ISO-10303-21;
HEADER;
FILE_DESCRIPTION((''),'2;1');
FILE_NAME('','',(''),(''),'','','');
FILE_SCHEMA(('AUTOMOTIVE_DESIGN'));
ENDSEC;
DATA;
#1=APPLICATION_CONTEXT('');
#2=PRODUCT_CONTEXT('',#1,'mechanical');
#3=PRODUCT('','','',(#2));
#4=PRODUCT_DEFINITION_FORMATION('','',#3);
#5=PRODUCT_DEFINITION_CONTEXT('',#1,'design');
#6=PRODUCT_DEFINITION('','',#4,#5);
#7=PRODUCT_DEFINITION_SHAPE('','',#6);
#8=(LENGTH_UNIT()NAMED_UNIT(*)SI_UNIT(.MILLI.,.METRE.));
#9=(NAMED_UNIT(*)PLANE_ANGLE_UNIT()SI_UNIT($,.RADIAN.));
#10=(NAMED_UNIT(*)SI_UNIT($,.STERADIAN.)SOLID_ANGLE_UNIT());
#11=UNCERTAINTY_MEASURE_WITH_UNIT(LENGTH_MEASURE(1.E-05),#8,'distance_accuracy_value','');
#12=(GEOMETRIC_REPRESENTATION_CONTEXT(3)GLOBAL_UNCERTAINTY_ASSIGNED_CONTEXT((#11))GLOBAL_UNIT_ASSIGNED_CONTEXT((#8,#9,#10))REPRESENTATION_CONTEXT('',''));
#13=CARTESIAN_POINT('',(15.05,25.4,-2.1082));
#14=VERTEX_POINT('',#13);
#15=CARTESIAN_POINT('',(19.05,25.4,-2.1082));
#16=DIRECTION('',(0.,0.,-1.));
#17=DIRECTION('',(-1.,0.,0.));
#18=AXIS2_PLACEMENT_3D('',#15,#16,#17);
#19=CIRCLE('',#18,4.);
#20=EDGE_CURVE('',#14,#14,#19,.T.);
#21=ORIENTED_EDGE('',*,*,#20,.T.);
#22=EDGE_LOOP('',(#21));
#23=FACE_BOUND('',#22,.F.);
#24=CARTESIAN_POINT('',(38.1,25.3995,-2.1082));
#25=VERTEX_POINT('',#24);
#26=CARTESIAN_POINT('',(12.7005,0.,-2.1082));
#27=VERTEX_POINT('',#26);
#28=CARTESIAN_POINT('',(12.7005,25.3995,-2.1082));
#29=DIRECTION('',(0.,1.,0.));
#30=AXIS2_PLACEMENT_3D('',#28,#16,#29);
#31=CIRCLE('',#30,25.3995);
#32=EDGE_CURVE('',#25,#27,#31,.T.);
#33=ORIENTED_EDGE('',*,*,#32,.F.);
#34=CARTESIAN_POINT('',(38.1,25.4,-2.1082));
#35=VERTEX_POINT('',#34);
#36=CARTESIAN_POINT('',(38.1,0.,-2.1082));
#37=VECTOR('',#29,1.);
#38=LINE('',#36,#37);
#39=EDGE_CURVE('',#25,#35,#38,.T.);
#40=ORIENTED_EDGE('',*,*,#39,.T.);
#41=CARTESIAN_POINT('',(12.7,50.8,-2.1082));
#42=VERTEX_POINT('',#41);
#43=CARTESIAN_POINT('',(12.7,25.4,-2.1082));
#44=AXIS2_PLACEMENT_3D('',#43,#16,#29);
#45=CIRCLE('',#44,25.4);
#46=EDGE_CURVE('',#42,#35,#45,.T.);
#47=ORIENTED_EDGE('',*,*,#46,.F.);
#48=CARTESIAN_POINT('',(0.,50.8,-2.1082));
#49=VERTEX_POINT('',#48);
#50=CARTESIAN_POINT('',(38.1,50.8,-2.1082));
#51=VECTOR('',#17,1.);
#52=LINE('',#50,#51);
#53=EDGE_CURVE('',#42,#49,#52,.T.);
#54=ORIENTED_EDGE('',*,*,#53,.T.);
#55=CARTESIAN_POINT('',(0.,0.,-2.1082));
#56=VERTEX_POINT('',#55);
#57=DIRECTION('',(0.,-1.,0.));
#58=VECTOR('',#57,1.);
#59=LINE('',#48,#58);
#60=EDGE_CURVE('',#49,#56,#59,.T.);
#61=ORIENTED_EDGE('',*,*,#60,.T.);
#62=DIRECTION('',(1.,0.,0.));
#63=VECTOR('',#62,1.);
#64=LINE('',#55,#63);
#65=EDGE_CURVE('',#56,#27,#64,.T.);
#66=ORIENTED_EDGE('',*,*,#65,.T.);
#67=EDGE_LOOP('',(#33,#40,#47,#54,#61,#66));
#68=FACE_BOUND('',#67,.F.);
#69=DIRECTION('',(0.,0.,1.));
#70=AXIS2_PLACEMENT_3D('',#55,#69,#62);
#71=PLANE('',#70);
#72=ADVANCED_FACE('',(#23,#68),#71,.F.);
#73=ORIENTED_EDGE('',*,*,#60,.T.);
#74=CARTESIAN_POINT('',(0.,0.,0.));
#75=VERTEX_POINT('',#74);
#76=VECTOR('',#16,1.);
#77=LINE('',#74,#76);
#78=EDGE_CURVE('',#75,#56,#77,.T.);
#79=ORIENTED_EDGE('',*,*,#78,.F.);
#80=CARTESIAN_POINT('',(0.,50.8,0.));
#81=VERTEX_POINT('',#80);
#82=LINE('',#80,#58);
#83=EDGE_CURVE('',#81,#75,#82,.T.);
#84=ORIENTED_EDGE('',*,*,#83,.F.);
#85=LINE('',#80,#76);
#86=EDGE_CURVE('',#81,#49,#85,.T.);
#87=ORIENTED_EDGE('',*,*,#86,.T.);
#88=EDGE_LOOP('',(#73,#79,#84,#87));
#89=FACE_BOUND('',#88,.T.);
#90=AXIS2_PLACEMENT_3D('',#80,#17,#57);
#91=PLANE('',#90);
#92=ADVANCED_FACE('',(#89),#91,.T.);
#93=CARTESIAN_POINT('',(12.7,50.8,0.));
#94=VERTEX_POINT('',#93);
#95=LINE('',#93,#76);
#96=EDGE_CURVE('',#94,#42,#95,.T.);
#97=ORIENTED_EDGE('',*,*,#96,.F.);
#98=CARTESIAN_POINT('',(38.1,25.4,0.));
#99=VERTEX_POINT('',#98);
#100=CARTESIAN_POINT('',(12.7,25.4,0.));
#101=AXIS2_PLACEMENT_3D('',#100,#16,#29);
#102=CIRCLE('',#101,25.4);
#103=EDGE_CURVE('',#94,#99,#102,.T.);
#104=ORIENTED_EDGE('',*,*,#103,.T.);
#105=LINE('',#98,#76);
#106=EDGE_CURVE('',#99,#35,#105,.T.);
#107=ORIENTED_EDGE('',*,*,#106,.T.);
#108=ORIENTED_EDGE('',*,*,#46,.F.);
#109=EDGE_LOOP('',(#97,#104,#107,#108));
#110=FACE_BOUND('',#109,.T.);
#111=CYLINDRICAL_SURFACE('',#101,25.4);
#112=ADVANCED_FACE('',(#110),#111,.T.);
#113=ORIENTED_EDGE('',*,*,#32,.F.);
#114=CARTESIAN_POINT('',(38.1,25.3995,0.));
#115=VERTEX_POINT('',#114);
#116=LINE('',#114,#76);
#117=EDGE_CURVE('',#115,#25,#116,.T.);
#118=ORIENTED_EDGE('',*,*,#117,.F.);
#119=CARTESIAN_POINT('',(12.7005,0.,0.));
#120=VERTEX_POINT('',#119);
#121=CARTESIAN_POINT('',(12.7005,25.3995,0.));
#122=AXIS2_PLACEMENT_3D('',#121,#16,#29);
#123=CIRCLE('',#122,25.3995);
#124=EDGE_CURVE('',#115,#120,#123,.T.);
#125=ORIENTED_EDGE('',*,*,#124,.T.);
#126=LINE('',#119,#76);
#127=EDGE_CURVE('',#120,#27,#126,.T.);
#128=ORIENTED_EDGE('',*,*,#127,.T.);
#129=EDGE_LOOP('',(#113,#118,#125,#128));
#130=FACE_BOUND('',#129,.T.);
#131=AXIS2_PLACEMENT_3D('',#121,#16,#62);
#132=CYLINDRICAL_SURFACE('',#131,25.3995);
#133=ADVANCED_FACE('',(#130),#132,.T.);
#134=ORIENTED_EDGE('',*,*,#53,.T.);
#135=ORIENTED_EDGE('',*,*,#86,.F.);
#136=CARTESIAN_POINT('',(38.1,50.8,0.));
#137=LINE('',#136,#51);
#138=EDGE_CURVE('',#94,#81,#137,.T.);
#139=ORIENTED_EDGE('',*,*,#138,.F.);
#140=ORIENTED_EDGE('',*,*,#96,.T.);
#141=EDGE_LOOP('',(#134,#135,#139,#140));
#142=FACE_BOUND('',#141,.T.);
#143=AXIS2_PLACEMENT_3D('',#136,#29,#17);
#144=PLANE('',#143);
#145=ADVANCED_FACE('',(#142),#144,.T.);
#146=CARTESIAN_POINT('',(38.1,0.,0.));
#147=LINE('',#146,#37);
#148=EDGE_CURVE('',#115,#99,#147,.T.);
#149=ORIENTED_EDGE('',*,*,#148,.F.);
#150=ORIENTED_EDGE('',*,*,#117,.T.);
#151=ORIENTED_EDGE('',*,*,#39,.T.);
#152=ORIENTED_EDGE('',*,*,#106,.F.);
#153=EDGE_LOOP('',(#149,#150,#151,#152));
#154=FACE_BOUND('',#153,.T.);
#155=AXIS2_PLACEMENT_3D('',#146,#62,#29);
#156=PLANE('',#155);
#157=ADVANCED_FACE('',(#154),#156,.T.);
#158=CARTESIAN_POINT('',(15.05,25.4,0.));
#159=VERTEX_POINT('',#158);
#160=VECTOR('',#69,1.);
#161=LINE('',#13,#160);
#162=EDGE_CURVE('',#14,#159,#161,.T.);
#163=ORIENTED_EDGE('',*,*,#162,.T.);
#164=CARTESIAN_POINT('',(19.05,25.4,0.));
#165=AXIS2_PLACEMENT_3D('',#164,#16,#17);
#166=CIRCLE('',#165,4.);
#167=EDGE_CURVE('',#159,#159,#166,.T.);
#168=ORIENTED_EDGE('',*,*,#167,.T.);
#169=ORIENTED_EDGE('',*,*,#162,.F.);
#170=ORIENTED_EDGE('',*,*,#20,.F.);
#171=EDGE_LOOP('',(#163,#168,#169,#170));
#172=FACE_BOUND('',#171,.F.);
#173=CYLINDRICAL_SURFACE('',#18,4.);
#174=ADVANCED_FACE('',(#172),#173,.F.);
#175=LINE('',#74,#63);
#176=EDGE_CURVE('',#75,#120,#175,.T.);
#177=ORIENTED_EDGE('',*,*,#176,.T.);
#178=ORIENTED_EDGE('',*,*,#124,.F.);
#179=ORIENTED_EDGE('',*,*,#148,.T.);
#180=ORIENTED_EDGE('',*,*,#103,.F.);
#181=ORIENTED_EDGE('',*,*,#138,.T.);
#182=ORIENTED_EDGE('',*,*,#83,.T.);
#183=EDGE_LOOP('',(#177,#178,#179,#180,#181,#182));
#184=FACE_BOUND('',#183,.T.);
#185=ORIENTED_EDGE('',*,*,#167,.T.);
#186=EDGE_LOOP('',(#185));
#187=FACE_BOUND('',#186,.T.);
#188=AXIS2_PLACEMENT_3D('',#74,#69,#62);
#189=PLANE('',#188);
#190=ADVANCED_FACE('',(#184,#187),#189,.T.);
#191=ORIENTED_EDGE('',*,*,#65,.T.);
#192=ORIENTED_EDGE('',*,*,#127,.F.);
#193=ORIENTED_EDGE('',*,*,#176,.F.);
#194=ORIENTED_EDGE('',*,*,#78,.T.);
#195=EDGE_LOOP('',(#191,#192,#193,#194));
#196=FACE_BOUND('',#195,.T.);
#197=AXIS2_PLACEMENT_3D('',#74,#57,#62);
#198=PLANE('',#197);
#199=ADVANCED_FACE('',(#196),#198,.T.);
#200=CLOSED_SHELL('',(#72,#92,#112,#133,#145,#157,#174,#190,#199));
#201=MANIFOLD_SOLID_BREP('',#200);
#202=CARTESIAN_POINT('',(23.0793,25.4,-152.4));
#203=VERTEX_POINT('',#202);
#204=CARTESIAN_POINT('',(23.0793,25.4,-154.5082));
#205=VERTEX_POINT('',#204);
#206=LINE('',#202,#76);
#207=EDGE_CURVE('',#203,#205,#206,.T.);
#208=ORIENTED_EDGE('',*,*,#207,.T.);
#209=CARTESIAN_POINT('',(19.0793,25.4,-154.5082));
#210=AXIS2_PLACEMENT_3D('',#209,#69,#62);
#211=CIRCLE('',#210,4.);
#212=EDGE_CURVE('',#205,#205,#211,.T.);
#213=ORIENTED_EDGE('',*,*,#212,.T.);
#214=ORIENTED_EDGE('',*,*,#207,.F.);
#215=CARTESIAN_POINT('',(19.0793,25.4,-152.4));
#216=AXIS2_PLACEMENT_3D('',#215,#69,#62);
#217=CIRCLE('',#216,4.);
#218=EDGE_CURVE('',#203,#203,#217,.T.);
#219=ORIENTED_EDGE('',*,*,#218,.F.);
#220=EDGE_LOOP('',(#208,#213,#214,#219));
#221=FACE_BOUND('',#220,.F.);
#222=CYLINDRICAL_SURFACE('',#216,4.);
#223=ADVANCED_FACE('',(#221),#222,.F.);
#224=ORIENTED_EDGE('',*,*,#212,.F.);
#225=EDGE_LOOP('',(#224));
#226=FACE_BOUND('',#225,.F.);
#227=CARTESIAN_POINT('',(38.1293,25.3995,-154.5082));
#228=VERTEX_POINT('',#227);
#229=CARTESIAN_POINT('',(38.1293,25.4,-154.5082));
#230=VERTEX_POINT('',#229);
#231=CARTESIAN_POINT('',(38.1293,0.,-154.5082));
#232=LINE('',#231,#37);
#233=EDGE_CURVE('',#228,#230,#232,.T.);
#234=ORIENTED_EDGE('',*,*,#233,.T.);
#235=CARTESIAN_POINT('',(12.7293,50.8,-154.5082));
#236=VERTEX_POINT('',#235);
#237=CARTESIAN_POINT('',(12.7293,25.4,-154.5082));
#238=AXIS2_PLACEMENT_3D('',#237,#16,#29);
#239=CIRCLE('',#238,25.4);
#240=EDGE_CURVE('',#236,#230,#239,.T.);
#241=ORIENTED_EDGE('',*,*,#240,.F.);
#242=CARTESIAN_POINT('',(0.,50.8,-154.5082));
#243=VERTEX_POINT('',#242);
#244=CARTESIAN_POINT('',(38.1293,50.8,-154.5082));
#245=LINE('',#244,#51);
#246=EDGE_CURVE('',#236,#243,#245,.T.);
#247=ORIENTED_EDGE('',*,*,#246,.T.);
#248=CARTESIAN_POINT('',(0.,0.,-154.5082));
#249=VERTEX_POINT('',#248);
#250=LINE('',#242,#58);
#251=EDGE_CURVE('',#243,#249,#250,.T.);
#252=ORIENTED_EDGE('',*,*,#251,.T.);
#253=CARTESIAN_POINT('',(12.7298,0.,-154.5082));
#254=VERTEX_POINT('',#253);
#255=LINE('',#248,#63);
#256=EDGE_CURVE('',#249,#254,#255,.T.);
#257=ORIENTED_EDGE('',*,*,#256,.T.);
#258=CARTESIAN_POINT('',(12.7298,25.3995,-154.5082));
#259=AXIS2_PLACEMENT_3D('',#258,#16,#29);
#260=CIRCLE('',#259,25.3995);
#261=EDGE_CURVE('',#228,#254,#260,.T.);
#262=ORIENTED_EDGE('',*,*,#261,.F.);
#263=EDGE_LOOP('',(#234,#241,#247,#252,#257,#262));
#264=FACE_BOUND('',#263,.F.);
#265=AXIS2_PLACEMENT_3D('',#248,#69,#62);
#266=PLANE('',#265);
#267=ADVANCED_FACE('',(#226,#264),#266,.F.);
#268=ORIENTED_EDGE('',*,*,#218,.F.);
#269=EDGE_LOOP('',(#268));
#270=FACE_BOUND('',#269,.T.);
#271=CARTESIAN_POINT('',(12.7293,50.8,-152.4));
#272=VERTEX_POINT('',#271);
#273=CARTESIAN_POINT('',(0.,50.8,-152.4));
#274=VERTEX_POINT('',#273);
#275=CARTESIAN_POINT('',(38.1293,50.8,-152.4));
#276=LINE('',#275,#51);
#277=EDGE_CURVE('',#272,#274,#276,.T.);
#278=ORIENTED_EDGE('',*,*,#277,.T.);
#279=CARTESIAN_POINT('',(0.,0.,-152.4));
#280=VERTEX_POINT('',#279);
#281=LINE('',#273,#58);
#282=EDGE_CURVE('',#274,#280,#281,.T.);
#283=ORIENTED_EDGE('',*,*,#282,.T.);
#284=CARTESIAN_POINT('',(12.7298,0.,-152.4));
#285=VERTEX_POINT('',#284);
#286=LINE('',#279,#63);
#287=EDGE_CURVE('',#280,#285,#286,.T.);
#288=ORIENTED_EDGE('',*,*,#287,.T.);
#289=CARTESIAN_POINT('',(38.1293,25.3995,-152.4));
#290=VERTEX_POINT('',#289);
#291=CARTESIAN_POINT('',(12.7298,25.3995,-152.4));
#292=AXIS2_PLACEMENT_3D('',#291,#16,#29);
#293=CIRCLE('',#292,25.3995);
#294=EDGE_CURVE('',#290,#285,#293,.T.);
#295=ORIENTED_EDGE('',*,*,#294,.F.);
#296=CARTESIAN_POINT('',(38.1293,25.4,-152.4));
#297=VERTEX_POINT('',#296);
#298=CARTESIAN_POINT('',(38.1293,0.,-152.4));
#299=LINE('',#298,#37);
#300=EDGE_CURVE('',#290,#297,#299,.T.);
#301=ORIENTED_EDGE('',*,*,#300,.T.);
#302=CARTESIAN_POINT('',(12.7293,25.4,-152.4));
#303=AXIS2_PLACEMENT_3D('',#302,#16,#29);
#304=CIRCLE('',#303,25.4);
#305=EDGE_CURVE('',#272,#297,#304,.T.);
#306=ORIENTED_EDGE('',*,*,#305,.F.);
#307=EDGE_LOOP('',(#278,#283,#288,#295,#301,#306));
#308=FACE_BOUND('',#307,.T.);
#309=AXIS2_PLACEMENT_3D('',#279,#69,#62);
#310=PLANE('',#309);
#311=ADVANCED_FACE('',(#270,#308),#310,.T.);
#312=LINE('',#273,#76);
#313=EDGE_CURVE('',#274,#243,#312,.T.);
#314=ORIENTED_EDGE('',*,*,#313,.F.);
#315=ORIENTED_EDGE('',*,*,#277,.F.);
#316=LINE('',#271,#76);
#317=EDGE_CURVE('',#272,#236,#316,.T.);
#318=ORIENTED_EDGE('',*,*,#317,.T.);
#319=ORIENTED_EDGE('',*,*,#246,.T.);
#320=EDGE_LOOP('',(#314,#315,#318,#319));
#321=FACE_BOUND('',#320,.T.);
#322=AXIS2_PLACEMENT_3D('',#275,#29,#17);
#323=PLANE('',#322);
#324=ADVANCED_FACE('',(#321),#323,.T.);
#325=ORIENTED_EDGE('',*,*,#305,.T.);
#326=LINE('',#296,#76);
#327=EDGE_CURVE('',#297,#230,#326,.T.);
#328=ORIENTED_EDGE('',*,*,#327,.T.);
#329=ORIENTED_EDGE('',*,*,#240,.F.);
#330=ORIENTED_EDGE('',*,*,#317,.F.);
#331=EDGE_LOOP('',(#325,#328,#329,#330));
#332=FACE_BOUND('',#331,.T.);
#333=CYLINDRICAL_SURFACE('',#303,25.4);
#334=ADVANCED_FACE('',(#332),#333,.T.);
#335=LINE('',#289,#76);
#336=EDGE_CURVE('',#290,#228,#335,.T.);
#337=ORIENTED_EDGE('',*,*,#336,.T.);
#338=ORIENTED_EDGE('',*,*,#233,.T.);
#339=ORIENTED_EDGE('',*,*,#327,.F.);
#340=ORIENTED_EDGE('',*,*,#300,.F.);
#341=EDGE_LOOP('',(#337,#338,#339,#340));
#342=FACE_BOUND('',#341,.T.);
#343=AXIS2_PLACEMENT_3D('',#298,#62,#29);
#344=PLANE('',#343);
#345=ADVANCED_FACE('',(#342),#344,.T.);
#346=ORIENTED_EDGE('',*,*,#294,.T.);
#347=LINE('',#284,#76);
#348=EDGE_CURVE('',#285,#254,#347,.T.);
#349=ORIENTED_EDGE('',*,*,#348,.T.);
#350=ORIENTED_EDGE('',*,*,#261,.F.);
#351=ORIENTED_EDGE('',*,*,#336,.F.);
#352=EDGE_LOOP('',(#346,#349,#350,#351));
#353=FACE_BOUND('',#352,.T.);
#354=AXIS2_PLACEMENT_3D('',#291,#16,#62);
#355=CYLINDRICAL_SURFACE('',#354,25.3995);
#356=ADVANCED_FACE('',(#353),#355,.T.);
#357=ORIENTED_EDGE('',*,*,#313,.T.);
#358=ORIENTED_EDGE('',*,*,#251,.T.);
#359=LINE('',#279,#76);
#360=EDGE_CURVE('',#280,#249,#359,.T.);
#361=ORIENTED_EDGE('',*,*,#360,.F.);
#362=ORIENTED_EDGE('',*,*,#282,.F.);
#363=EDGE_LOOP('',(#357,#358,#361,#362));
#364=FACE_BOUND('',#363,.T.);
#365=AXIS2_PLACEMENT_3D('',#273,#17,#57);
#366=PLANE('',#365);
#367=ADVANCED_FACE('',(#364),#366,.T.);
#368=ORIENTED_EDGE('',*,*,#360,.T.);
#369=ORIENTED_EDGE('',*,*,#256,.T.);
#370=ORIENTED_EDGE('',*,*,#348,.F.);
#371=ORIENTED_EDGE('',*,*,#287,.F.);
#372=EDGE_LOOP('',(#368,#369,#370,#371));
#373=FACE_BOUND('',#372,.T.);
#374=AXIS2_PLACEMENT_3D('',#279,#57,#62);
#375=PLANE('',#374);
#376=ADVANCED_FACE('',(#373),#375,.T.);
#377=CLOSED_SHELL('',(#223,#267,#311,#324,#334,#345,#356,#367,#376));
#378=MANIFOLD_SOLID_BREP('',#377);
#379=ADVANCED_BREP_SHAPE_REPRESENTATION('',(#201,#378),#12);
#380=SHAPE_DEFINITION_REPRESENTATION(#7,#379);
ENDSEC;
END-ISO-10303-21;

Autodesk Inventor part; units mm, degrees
ref_plane "YZ Plane" through (0, 0, 0) normal (1, 0, 0) x (0, 1, 0)
ref_plane "XZ Plane" through (0, 0, 0) normal (0, 1, 0) x (-1, 0, 0)
sketch "Side Element" plane through (0, 0, 0) normal (0, 0, 1) x (1, 0, 0)
  line L0 (0, 0) -> (38.1, 0)
  line L1 (38.1, 0) -> (38.1, 50.8)
  line L2 (38.1, 50.8) -> (0, 50.8)
  line L3 (0, 50.8) -> (0, 0)
  dimension "d0" = 38.1
  dimension "d1" = 50.8
extrude "Extrusion1" add sketch "Side Element" against normal blind 2.1082
fillet "Fillet1" radius 25.4 1 edges at (38.1, 50.8, -1.0541)
ref_plane "Work Plane2" through (0, 0, -152.4) normal (0, 0, 1) x (1, 0, 0)
sketch "Sketch6" plane through (0, 0, -152.4) normal (0, 0, 1) x (1, 0, 0)
  line L0 (0, 0) -> (38.1293, 0)
  line L1 (38.1293, 0) -> (38.1293, 50.8)
  line L2 (38.1293, 50.8) -> (0, 50.8)
  line L3 (0, 50.8) -> (0, 0)
  dimension "d23" = 50.8
extrude "Extrusion5" add sketch "Sketch6" against normal blind 2.1082
fillet "Fillet3" radius 25.4 1 edges at (38.1293, 50.8, -153.4541)
sketch "Sketch7" plane through (0, 0, -152.4) normal (0, 0, 1) x (1, 0, 0)
  circle A0 centre (19.0793, 25.4) radius 4
  line L0 (0, 0) -> (38.1293, 0) projected
  line L1 (38.1293, 0) -> (38.1293, 25.4) projected
  dimension "d27" = 8
  dimension "d28" = 25.4
  dimension "d29" = 19.05
extrude "Extrusion6" cut sketch "Sketch7" against normal blind 2.1082
sketch "Sketch8" plane through (0, 0, -2.1082) normal (0, 0, -1) x (-1, 0, 0)
  circle A0 centre (-19.05, 25.4) radius 4
  line L0 (-38.1, 0) -> (0, 0) projected
  line L1 (0, 0) -> (0, 50.8) projected
  dimension "d32" = 8
  dimension "d33" = 25.4
  dimension "d34" = 19.05
extrude "Extrusion7" cut sketch "Sketch8" against normal blind 2.1082
fillet "Fillet4" radius 25.4 1 edges at (38.1, 0, -1.0541)
fillet "Fillet5" radius 25.4 1 edges at (38.1293, 0, -153.4541)
properties part number "Side Beam"
